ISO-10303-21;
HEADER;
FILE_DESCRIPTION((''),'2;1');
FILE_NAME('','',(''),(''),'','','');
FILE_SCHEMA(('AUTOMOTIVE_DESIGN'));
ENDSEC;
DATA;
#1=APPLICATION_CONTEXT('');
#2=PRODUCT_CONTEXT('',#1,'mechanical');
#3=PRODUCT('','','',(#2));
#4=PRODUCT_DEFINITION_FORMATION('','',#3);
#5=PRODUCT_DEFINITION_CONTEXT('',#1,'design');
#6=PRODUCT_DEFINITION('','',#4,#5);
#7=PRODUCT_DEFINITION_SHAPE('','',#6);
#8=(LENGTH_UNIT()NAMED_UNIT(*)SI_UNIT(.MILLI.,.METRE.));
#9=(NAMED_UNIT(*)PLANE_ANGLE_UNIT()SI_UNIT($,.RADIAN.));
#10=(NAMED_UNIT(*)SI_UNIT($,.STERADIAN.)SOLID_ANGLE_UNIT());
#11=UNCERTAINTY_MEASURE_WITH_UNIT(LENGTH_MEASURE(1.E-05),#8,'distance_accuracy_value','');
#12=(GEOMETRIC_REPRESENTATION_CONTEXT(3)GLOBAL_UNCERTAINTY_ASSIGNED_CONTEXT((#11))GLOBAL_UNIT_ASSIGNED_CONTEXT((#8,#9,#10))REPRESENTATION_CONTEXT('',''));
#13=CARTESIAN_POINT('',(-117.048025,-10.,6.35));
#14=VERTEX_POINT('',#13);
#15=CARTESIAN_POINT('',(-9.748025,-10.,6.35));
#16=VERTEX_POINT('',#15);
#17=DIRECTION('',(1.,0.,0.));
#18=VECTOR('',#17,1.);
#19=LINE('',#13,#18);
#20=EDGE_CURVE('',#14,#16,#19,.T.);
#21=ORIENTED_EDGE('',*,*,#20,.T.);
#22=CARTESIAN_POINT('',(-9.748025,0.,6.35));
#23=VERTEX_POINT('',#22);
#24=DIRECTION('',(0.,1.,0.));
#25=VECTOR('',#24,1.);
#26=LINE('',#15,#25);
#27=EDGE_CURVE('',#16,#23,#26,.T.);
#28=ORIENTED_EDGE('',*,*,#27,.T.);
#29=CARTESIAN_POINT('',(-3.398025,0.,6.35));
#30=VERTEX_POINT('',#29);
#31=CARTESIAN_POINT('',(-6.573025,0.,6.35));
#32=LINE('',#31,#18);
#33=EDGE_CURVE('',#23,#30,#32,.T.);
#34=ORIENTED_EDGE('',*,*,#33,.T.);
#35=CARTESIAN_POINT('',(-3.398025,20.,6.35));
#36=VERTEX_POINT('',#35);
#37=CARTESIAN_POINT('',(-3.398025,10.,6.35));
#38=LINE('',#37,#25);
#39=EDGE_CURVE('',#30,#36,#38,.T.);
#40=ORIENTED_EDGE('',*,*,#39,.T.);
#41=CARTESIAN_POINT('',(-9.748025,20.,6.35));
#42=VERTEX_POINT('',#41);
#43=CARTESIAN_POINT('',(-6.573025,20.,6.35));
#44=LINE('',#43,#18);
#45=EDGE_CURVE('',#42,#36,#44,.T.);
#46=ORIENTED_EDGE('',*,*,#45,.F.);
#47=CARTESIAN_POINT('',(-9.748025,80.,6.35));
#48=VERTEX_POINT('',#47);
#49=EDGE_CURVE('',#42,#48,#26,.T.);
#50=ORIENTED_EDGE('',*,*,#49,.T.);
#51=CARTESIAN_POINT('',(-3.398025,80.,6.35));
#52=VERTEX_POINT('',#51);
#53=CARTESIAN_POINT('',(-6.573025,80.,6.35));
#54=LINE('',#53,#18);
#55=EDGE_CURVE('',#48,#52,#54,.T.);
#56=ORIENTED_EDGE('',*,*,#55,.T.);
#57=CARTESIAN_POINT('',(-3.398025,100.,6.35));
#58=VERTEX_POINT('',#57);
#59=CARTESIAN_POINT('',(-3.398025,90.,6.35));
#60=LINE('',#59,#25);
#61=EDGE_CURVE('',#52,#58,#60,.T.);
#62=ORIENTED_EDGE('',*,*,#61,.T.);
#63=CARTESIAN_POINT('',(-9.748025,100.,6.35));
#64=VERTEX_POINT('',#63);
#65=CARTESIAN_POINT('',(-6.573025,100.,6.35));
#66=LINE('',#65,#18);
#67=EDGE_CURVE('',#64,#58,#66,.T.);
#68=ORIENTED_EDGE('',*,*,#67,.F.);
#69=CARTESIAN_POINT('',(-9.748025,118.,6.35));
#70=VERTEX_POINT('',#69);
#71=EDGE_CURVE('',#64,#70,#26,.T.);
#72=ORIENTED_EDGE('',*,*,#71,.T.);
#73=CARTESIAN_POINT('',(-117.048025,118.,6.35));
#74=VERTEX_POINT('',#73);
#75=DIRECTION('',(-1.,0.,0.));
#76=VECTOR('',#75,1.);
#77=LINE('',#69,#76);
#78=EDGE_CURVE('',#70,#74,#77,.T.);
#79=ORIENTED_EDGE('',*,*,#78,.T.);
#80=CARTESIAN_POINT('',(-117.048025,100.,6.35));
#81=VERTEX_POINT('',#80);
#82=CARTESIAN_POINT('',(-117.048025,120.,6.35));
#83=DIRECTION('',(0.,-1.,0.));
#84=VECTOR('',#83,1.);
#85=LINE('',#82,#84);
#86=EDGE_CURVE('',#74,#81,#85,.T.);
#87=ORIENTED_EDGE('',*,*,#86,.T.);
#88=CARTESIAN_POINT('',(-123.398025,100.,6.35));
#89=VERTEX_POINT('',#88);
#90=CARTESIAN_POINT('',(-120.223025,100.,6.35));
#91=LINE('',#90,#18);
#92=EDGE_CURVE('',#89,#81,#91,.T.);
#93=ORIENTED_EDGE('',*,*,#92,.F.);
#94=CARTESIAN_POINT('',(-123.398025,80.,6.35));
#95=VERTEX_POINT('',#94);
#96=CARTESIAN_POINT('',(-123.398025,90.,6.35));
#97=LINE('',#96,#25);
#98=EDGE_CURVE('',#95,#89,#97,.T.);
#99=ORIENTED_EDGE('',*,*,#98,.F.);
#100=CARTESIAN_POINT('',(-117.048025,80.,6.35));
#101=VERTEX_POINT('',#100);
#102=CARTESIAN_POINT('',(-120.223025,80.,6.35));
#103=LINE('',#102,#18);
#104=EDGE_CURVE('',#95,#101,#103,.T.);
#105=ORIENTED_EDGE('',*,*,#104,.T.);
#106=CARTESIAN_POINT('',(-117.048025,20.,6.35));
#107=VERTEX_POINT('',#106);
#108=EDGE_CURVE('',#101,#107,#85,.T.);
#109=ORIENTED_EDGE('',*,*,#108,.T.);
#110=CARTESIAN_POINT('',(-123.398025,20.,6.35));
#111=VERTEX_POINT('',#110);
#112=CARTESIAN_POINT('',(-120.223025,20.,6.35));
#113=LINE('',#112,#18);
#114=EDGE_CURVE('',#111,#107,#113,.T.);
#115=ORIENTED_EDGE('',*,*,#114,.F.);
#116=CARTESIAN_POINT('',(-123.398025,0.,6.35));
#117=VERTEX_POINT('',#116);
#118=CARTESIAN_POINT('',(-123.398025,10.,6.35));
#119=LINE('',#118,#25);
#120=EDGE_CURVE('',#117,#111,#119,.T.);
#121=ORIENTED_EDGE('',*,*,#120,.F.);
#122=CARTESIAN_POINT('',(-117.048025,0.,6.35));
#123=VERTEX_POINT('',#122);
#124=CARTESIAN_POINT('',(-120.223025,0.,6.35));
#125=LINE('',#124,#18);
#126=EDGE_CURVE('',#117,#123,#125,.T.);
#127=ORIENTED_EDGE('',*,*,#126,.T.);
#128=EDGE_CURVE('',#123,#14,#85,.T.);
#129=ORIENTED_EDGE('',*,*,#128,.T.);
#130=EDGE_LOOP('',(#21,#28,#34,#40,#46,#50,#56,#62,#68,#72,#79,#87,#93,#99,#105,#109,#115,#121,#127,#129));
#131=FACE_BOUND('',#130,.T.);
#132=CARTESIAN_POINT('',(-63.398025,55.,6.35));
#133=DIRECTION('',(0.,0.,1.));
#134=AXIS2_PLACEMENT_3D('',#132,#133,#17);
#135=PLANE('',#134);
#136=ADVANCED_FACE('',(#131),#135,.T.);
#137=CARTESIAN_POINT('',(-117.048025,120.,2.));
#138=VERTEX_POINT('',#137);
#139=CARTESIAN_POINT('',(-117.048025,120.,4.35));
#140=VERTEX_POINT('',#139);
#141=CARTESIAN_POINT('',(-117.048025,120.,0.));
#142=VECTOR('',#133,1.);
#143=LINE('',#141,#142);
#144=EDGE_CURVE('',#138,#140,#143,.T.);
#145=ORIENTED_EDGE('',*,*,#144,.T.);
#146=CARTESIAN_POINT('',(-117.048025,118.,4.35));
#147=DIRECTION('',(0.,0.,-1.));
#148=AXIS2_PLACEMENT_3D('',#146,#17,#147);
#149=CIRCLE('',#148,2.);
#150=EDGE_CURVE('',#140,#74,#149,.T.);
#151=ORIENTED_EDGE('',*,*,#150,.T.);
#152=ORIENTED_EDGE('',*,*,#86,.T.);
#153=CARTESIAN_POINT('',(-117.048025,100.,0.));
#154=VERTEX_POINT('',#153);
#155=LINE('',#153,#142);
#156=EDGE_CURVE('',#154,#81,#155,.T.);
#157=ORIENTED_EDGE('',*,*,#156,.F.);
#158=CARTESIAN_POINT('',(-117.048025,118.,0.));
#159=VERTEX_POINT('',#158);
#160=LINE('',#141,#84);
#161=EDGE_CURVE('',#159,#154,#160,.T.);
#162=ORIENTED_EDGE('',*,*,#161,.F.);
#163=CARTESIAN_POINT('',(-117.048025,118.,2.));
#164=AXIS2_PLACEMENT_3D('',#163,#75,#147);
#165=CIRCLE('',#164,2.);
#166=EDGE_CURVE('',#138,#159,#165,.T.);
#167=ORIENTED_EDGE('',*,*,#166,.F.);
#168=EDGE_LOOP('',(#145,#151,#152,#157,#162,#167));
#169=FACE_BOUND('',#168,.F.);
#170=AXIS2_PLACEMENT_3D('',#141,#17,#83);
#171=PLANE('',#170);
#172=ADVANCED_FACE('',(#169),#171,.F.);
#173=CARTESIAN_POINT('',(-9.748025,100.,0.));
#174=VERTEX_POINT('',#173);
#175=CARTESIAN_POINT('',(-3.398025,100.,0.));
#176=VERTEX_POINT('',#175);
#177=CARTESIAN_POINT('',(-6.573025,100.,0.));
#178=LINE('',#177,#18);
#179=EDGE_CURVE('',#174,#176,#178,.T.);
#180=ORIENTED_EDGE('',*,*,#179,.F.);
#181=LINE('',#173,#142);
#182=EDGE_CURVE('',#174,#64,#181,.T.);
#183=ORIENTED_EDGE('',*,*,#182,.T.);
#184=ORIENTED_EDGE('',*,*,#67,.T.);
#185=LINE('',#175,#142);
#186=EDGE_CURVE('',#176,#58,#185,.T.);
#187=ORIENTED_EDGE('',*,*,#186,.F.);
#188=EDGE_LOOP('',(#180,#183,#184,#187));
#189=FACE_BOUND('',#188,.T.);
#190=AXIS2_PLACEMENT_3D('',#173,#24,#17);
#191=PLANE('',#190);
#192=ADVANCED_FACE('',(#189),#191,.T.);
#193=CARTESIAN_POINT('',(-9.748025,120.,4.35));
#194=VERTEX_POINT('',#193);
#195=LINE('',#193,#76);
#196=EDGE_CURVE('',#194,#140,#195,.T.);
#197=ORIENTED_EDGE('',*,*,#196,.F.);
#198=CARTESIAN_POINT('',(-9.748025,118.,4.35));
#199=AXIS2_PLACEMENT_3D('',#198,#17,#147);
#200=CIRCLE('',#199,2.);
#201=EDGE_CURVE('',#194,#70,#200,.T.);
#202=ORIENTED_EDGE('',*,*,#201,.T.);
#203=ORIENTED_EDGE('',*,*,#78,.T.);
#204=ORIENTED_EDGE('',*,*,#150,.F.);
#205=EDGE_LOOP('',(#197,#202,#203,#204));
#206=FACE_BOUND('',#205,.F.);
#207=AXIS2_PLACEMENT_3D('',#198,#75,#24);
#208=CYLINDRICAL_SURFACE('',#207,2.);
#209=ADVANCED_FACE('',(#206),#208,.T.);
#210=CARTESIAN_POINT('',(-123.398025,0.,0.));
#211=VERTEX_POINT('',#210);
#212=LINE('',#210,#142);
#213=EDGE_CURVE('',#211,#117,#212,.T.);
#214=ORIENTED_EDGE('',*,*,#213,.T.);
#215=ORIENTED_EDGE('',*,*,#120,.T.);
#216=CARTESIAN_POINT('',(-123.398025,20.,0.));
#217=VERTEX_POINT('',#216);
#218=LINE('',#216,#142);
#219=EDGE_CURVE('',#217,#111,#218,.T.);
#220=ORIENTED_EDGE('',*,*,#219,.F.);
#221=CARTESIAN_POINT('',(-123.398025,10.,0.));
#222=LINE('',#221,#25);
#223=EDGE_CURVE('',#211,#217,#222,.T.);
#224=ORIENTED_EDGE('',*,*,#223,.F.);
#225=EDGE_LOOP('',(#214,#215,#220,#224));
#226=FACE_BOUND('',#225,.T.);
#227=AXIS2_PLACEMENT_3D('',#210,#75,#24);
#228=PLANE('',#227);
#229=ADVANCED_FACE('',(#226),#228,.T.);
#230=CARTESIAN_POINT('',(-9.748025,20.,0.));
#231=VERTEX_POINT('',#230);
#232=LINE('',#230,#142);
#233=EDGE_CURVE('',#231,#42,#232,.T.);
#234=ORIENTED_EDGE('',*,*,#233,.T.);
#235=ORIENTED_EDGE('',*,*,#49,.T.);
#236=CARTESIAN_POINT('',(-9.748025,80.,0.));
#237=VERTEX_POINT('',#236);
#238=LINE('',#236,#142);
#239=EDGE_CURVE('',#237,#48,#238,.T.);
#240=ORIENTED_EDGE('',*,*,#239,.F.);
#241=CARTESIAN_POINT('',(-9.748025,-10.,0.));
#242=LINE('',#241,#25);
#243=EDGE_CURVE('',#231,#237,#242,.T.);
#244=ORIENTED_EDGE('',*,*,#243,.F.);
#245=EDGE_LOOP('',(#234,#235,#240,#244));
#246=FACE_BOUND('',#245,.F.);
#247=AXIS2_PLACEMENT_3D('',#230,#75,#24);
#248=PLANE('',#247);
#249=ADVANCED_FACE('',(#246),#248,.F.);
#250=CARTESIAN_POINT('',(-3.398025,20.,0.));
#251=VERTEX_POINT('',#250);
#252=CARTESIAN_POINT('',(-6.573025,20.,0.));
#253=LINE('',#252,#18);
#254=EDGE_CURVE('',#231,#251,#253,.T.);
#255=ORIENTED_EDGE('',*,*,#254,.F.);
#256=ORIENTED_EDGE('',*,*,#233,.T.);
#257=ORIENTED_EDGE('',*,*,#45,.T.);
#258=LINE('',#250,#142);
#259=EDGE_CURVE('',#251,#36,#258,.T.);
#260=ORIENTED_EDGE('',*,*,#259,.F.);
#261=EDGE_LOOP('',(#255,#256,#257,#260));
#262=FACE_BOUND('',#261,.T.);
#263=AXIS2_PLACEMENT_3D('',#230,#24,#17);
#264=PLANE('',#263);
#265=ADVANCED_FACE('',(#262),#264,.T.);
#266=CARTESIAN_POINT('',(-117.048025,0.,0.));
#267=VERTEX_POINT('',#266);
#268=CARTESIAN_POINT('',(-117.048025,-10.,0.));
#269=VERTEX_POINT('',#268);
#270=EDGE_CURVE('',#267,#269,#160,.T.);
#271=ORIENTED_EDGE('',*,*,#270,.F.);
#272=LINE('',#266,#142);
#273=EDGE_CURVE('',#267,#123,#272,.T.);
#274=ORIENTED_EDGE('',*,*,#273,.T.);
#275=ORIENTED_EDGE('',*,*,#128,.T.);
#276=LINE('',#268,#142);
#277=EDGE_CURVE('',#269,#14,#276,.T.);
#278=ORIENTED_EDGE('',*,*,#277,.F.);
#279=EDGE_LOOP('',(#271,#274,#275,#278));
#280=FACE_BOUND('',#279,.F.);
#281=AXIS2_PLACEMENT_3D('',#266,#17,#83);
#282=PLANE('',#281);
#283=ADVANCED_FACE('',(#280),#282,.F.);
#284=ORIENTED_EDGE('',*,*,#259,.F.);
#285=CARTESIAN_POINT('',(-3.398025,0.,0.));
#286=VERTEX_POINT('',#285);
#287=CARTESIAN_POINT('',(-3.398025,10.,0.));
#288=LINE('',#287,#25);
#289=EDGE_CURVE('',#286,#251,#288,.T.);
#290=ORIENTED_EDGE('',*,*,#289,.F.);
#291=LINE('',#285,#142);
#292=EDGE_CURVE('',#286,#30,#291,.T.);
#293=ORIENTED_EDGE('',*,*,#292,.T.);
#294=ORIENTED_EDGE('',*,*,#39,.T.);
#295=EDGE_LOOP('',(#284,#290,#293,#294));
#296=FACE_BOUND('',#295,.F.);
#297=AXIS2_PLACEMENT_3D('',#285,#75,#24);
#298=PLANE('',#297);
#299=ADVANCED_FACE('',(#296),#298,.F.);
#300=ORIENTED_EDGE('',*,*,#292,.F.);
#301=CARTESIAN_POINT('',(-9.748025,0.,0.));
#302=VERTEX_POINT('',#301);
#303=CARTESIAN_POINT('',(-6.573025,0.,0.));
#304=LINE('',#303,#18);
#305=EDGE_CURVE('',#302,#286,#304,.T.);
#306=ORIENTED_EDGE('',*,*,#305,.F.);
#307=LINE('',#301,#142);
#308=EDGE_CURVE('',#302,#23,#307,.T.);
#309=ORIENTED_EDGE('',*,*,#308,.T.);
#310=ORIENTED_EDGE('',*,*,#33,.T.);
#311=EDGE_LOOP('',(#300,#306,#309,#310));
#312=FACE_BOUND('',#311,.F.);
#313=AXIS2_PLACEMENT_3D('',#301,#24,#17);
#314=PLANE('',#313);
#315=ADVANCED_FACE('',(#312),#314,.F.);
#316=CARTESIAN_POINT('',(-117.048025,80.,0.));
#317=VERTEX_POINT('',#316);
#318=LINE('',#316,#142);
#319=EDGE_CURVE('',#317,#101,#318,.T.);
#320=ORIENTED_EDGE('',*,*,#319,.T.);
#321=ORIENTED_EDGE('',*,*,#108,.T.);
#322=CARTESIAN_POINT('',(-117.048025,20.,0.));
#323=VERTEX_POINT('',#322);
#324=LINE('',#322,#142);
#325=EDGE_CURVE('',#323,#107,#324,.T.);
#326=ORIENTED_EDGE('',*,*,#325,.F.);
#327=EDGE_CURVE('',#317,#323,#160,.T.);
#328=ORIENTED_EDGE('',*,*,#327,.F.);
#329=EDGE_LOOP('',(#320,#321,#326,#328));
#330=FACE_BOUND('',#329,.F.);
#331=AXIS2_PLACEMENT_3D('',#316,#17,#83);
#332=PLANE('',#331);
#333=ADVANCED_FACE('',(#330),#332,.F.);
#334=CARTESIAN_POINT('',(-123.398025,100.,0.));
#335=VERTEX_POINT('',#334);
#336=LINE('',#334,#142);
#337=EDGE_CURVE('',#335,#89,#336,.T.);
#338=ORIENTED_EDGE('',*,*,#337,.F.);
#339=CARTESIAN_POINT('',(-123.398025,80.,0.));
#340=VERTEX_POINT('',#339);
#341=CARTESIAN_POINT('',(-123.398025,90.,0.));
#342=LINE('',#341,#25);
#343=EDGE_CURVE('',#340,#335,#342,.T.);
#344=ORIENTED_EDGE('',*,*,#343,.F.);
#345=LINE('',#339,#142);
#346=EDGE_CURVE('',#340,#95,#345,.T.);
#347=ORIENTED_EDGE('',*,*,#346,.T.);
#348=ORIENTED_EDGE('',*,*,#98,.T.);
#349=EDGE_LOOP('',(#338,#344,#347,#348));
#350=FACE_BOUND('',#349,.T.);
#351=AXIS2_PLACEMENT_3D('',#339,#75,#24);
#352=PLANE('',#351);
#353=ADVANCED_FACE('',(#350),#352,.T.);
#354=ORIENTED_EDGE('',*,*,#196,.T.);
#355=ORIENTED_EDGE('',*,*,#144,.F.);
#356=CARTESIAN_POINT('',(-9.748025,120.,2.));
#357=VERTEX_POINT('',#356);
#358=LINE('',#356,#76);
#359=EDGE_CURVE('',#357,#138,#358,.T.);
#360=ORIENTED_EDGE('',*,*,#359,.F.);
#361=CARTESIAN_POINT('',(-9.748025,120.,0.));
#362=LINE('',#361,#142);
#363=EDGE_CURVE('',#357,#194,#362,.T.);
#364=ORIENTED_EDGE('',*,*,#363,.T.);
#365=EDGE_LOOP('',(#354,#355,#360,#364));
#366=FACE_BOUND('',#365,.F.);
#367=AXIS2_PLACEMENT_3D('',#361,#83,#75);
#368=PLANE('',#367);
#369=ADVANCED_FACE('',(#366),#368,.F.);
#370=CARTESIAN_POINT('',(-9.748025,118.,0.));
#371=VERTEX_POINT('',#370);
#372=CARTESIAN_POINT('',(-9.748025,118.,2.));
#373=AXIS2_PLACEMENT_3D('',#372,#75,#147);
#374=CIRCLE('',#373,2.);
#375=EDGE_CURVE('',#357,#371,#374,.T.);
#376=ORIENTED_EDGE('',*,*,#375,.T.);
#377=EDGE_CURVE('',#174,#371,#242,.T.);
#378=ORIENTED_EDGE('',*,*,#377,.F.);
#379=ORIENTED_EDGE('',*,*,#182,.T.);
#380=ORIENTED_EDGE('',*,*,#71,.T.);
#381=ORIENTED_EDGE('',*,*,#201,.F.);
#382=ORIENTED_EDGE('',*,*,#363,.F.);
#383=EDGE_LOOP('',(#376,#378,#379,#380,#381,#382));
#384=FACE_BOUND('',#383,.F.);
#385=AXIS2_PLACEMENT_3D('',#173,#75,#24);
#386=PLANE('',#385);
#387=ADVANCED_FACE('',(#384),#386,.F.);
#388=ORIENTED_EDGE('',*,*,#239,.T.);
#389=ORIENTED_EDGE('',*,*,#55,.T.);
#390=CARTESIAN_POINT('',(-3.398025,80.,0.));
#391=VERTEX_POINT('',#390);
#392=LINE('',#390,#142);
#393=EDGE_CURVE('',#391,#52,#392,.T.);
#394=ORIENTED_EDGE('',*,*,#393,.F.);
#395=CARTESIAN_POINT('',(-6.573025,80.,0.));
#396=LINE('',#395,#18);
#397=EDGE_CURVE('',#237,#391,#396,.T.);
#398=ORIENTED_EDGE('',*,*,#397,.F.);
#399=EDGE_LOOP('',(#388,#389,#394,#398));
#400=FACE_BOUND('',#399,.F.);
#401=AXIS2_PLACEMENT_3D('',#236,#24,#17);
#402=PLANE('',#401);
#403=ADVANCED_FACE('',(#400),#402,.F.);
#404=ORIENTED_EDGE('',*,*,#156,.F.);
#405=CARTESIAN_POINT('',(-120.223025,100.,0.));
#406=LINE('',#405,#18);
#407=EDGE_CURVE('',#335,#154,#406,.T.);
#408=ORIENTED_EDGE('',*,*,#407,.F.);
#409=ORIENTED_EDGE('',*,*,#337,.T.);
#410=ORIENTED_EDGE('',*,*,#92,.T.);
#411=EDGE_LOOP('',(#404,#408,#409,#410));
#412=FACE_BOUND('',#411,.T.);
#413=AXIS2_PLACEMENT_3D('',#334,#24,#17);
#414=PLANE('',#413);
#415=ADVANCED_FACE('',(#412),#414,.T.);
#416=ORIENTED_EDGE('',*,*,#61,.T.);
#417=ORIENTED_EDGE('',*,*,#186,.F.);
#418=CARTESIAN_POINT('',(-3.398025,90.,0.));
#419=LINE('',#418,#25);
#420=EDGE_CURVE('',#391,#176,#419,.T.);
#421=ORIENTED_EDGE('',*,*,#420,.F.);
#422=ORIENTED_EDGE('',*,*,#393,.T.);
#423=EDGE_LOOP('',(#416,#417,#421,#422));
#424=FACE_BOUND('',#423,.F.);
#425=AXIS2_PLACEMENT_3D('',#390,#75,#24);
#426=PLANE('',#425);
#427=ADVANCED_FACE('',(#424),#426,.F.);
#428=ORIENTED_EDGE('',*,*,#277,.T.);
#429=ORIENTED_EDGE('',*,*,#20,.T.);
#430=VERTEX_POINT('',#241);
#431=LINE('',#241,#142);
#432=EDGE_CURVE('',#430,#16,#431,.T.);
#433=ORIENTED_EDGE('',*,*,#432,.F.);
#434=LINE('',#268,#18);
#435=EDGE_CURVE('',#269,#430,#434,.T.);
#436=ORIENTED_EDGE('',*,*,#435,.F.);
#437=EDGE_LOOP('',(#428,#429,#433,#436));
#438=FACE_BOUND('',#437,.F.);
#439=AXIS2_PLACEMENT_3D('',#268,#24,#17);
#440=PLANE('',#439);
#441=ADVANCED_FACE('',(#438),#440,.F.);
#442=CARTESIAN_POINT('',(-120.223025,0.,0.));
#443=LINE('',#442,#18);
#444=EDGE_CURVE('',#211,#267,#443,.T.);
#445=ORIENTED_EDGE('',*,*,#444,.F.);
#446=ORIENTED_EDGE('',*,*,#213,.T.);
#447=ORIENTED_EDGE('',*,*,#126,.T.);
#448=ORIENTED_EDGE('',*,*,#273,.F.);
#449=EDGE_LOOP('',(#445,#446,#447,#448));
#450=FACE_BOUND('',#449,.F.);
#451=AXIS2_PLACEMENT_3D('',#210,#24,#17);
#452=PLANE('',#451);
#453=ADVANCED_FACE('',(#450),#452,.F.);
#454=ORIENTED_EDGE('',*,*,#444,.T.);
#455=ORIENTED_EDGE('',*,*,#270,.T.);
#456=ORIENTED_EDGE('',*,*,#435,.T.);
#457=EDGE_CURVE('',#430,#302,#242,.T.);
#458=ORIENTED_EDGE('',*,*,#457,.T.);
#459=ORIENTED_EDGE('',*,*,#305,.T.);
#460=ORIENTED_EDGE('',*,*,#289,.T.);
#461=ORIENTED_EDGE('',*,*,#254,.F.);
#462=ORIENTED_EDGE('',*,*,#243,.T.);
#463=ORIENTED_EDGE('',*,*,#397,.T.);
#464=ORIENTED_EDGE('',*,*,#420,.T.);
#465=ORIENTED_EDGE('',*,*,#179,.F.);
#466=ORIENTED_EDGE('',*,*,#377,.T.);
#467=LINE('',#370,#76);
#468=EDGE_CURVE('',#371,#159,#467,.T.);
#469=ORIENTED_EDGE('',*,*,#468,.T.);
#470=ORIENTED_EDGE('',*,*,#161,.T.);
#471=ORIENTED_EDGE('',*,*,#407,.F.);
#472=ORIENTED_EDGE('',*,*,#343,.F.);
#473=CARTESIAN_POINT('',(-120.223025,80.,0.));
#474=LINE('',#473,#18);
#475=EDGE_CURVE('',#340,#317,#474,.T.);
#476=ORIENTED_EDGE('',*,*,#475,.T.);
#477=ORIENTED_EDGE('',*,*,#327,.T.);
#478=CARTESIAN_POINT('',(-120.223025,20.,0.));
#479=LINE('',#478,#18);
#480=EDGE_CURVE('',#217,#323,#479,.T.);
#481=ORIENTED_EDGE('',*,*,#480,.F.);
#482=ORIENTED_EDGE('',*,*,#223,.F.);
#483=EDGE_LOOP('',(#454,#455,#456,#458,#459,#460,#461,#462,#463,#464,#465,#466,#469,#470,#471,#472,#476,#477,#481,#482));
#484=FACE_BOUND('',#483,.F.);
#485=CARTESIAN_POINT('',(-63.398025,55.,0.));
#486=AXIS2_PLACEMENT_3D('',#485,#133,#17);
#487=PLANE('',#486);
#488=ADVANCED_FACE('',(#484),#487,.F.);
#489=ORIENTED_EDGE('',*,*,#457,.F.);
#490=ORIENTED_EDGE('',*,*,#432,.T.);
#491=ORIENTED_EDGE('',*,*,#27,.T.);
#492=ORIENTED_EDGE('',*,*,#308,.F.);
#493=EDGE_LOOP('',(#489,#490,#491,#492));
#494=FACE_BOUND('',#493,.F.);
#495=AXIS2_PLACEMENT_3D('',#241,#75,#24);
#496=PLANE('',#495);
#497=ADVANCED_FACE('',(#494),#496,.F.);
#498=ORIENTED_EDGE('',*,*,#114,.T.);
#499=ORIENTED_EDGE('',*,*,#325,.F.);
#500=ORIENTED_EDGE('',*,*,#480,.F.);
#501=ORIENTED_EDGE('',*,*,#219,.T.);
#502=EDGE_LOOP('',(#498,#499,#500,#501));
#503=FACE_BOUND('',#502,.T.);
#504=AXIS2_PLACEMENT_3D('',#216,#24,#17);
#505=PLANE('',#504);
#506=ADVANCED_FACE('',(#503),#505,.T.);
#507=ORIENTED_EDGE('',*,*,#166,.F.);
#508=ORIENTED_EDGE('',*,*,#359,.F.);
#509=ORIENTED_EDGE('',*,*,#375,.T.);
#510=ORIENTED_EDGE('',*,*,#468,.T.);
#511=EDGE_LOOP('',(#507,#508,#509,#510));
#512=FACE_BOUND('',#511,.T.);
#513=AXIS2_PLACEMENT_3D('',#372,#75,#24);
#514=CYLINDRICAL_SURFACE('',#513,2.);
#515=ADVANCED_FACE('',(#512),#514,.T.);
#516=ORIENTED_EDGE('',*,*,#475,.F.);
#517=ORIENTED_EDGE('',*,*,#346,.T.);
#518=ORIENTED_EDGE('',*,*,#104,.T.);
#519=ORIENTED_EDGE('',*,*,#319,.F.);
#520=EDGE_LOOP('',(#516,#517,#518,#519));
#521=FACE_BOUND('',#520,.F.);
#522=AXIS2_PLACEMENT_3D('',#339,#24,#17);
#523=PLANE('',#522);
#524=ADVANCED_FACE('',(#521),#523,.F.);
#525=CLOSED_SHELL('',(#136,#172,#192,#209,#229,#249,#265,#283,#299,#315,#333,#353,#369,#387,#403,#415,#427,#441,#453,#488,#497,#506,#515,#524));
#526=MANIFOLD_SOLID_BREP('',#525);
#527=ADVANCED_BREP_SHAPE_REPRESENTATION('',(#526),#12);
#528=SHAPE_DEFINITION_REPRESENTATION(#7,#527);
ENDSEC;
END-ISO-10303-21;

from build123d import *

# Parameters (mm, degrees)
F0_W     = 6.35
F0_H     = 20
F1_DEPTH = 6.35
F2_R     = 2


with BuildPart() as f1:
    # F0 (on Top) → F1 (new body)
    with BuildSketch(Plane.XY):
        Polygon((-9.748025, 120), (-117.048025, 120), (-117.048025, 100), (-117.048025, 80), (-117.048025, 20), (-117.048025, 0), (-117.048025, -10), (-9.748025, -10), (-9.748025, 0), (-9.748025, 20), (-9.748025, 80), (-9.748025, 100), align=None)
        with Locations((-120.223025, 90)):
            Rectangle(F0_W, F0_H)
        with Locations((-6.573025, 90)):
            Rectangle(F0_W, F0_H)
        with Locations((-6.573025, 10)):
            Rectangle(F0_W, F0_H)
        with Locations((-120.223025, 10)):
            Rectangle(F0_W, F0_H)
    extrude(amount=F1_DEPTH)

    # F2
    f2_edges = [f1.edges().sort_by_distance(p)[0] for p in [
        (-63.398025, 120, 6.35),
        (-63.398025, 120, 0),
    ]]
    fillet(f2_edges, radius=F2_R)


solid = f1.part
